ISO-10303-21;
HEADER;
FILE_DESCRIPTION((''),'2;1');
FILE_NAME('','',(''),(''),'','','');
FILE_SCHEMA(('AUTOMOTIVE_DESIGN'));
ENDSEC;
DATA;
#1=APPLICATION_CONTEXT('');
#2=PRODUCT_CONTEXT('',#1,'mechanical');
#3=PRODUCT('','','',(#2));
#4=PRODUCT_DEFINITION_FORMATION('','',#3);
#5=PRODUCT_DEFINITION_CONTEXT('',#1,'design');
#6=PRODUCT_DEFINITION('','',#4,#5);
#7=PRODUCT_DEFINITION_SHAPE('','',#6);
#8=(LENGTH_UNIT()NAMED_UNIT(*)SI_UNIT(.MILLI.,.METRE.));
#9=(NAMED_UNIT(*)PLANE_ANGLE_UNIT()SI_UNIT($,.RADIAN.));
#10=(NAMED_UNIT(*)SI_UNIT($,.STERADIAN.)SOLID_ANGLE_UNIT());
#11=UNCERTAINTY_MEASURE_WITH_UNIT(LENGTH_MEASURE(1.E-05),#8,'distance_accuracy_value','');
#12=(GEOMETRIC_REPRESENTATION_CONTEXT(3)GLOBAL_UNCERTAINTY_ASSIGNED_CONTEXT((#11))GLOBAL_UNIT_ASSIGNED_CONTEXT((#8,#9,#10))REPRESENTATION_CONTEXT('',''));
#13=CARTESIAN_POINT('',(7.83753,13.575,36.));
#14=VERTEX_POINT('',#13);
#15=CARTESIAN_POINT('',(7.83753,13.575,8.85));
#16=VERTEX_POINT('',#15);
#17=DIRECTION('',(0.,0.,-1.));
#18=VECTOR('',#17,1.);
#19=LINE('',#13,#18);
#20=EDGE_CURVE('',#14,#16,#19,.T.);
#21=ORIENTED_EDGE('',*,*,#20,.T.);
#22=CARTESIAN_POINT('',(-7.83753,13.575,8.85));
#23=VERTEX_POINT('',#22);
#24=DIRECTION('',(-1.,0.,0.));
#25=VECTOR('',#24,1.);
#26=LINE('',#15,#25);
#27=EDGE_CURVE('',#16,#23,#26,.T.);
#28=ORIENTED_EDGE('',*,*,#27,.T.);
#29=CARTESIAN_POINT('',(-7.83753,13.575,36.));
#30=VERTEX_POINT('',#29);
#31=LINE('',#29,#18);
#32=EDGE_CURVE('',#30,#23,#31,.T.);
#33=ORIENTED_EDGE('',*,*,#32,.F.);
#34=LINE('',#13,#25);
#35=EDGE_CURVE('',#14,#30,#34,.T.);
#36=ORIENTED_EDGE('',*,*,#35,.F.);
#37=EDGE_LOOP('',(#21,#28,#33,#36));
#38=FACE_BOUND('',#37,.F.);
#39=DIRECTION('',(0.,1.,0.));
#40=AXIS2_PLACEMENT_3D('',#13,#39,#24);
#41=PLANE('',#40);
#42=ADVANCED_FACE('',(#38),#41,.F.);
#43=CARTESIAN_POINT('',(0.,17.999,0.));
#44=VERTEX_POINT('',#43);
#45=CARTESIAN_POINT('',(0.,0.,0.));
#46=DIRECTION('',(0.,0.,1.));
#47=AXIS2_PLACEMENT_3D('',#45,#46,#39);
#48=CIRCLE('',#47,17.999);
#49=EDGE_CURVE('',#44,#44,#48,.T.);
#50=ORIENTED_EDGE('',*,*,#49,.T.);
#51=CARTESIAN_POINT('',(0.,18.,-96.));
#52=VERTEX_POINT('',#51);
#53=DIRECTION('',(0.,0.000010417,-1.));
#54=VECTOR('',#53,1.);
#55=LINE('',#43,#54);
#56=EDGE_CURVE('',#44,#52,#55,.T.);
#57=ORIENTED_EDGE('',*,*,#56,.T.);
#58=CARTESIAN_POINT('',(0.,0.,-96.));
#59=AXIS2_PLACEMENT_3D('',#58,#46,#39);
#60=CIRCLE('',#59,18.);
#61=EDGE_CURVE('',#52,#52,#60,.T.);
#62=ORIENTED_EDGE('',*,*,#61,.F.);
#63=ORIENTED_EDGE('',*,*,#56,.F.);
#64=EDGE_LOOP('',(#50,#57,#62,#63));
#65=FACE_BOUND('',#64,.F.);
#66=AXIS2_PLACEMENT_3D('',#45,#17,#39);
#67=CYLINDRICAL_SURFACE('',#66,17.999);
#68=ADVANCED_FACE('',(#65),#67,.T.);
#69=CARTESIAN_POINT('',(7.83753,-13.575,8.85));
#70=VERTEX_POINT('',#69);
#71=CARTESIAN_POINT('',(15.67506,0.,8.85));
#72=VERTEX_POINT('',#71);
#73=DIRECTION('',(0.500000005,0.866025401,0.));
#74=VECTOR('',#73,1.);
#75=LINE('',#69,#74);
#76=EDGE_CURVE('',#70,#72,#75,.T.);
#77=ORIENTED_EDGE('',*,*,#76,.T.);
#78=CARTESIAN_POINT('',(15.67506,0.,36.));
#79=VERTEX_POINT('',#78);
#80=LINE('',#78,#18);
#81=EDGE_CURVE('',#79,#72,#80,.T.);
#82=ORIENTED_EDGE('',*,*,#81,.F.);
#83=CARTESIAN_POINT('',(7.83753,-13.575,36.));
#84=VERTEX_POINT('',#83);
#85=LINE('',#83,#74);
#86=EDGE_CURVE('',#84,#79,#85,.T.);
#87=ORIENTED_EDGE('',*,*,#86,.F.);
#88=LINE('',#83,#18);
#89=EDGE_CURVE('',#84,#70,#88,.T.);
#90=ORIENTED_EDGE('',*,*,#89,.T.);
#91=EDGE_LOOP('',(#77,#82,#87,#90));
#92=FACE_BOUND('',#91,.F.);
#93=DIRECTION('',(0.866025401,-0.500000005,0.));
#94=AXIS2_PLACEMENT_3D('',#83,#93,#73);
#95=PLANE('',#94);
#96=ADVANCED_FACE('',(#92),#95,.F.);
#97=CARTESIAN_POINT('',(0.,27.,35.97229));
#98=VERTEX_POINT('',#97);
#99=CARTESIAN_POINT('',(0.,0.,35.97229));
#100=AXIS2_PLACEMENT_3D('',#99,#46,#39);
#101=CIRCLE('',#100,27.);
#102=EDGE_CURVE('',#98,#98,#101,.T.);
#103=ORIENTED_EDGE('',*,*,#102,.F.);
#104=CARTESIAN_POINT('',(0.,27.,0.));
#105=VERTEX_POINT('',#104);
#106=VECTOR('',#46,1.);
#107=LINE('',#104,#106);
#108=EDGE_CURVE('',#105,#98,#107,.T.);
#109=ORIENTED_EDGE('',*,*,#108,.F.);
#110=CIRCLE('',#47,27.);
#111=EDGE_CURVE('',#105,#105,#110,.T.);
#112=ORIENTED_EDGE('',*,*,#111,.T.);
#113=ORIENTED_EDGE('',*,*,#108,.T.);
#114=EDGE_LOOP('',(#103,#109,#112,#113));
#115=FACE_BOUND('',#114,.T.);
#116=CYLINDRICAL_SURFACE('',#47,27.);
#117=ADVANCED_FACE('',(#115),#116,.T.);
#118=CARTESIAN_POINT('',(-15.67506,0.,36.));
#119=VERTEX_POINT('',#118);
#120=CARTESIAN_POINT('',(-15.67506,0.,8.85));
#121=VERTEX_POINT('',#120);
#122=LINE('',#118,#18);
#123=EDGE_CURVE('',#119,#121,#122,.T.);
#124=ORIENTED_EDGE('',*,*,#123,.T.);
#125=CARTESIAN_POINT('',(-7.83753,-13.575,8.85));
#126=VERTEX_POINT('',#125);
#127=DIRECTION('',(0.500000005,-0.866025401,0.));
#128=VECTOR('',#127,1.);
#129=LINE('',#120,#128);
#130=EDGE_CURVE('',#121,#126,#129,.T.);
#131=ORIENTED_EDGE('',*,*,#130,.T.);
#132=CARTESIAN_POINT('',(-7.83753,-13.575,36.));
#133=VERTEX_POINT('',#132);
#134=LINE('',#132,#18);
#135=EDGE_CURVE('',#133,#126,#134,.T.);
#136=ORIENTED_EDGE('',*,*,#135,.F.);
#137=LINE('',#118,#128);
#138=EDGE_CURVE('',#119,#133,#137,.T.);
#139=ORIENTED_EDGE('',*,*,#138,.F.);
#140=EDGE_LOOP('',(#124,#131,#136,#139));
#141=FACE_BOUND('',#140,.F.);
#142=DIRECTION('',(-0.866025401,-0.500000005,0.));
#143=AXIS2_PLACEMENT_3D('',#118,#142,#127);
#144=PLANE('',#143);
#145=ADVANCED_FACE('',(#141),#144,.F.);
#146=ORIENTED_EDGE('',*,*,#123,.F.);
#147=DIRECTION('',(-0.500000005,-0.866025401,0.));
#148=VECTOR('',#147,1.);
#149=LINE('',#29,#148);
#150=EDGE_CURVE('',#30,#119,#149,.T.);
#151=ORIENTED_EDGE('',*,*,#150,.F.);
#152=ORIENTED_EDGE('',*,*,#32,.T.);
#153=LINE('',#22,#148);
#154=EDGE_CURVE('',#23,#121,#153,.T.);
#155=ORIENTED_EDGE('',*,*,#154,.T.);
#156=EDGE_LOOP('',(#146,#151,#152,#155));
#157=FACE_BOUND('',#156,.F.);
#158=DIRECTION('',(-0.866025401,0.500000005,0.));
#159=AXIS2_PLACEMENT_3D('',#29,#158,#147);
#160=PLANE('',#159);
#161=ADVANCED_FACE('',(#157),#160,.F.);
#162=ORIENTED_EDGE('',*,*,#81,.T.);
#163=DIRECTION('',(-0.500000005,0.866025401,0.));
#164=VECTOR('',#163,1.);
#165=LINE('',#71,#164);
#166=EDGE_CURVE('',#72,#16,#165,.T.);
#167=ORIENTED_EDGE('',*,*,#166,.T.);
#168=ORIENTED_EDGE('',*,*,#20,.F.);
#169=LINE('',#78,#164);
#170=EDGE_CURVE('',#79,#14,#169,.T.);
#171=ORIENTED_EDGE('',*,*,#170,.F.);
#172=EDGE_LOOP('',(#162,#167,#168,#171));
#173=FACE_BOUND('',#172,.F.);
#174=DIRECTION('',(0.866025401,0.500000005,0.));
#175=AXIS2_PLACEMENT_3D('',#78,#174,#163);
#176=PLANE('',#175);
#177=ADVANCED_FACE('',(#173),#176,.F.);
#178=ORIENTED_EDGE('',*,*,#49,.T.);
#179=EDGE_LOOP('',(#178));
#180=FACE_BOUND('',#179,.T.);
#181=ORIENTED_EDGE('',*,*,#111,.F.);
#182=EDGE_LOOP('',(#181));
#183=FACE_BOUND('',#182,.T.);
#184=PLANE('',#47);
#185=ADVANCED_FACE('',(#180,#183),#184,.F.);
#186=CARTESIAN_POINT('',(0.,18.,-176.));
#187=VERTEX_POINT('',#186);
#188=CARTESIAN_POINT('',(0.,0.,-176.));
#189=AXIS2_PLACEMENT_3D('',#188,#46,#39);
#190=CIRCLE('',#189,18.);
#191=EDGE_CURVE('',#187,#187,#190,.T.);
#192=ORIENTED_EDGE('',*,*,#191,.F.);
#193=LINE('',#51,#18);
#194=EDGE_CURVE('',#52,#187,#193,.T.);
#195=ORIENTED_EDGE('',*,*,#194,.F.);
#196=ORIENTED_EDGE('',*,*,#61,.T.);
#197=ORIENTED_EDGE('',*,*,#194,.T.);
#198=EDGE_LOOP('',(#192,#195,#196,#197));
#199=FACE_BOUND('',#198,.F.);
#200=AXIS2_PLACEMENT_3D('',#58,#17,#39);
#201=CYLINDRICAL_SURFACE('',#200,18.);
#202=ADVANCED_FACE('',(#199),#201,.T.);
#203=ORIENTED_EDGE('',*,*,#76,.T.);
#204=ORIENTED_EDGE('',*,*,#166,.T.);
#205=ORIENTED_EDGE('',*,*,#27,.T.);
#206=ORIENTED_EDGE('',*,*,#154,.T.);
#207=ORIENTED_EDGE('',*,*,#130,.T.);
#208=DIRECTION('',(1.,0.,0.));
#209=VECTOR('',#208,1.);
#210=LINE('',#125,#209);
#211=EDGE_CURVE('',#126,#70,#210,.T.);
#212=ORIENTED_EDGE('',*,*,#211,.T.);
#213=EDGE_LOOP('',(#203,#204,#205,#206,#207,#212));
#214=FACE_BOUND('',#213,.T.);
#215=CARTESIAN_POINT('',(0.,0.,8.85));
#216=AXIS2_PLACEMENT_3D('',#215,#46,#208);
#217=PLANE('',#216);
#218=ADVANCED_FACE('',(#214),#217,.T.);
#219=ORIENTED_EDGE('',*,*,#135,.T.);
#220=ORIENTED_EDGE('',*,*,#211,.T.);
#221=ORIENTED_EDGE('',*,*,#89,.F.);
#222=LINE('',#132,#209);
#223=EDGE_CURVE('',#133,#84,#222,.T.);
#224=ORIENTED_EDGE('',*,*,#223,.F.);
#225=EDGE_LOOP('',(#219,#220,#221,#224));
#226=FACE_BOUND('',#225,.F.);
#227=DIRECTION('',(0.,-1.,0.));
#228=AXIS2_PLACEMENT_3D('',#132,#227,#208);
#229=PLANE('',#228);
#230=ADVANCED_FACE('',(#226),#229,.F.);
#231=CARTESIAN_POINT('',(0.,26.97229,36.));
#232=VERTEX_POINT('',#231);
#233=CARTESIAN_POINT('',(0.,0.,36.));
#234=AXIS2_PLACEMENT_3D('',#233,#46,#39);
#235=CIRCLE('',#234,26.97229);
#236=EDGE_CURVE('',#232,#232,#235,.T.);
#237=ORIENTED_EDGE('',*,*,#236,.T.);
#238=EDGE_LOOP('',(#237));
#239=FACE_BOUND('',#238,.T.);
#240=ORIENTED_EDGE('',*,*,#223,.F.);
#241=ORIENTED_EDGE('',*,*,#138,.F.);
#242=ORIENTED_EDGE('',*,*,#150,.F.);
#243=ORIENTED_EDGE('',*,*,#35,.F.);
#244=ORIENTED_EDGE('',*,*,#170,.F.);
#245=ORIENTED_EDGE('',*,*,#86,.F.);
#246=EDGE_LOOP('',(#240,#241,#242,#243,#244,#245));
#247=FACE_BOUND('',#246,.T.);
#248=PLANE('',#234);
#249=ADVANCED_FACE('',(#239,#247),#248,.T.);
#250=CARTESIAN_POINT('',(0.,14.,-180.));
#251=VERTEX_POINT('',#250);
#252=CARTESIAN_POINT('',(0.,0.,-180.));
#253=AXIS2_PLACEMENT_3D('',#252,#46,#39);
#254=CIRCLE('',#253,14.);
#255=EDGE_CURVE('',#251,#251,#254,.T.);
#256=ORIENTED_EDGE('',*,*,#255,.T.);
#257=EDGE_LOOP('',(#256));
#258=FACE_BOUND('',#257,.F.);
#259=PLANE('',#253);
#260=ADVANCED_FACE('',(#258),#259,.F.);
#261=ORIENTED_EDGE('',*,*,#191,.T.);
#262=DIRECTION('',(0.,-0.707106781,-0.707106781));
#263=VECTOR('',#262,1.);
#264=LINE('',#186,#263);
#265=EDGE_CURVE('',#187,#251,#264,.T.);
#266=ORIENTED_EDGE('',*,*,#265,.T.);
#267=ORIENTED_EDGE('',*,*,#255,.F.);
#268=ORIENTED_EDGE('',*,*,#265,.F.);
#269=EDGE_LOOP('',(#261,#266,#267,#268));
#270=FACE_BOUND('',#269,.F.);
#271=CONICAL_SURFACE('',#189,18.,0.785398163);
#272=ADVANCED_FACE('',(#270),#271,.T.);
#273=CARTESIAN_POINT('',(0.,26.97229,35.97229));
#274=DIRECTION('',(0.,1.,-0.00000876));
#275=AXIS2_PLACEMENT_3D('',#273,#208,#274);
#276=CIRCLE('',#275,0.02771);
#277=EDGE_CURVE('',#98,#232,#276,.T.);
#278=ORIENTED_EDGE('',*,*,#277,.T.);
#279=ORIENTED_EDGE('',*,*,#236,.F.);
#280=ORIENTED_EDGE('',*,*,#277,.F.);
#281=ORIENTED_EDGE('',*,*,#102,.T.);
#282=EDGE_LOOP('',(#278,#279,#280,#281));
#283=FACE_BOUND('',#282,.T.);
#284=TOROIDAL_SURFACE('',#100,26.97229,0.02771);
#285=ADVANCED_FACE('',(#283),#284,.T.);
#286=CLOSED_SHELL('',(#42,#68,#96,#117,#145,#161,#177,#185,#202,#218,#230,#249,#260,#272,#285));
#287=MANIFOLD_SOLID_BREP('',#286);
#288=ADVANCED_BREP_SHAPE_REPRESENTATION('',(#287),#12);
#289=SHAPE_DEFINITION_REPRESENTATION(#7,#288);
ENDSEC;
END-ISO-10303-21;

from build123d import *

# Parameters (mm, degrees)
POCKET_DEPTH = 27.15


with BuildPart() as part:
    # Sketch → Revolve (revolve)
    with BuildSketch(Plane.YZ):
        with BuildLine():
            Line((17.999, 0), (27, 0))
            Line((27, 0), (27, 35.97229))
            ThreePointArc((27, 35.97229), (26.991884, 35.991884), (26.97229, 36))
            Line((26.97229, 36), (0, 36))
            Line((0, -180), (0, 36))
            Line((14, -180), (0, -180))
            Line((18, -176), (14, -180))
            Line((18, -96), (18, -176))
            Line((17.999, 0), (18, -96))
        make_face()
    revolve(axis=Axis((0, 0, 0), (0, 0, 1)))

    # Sketch001 → Pocket (cut)
    with BuildSketch(Plane.XY.offset(36)):
        Polygon((15.67506, 0), (7.83753, 13.575), (-7.83753, 13.575), (-15.67506, 0), (-7.83753, -13.575), (7.83753, -13.575), align=None)
    extrude(amount=-POCKET_DEPTH, mode=Mode.SUBTRACT)


solid = part.part
